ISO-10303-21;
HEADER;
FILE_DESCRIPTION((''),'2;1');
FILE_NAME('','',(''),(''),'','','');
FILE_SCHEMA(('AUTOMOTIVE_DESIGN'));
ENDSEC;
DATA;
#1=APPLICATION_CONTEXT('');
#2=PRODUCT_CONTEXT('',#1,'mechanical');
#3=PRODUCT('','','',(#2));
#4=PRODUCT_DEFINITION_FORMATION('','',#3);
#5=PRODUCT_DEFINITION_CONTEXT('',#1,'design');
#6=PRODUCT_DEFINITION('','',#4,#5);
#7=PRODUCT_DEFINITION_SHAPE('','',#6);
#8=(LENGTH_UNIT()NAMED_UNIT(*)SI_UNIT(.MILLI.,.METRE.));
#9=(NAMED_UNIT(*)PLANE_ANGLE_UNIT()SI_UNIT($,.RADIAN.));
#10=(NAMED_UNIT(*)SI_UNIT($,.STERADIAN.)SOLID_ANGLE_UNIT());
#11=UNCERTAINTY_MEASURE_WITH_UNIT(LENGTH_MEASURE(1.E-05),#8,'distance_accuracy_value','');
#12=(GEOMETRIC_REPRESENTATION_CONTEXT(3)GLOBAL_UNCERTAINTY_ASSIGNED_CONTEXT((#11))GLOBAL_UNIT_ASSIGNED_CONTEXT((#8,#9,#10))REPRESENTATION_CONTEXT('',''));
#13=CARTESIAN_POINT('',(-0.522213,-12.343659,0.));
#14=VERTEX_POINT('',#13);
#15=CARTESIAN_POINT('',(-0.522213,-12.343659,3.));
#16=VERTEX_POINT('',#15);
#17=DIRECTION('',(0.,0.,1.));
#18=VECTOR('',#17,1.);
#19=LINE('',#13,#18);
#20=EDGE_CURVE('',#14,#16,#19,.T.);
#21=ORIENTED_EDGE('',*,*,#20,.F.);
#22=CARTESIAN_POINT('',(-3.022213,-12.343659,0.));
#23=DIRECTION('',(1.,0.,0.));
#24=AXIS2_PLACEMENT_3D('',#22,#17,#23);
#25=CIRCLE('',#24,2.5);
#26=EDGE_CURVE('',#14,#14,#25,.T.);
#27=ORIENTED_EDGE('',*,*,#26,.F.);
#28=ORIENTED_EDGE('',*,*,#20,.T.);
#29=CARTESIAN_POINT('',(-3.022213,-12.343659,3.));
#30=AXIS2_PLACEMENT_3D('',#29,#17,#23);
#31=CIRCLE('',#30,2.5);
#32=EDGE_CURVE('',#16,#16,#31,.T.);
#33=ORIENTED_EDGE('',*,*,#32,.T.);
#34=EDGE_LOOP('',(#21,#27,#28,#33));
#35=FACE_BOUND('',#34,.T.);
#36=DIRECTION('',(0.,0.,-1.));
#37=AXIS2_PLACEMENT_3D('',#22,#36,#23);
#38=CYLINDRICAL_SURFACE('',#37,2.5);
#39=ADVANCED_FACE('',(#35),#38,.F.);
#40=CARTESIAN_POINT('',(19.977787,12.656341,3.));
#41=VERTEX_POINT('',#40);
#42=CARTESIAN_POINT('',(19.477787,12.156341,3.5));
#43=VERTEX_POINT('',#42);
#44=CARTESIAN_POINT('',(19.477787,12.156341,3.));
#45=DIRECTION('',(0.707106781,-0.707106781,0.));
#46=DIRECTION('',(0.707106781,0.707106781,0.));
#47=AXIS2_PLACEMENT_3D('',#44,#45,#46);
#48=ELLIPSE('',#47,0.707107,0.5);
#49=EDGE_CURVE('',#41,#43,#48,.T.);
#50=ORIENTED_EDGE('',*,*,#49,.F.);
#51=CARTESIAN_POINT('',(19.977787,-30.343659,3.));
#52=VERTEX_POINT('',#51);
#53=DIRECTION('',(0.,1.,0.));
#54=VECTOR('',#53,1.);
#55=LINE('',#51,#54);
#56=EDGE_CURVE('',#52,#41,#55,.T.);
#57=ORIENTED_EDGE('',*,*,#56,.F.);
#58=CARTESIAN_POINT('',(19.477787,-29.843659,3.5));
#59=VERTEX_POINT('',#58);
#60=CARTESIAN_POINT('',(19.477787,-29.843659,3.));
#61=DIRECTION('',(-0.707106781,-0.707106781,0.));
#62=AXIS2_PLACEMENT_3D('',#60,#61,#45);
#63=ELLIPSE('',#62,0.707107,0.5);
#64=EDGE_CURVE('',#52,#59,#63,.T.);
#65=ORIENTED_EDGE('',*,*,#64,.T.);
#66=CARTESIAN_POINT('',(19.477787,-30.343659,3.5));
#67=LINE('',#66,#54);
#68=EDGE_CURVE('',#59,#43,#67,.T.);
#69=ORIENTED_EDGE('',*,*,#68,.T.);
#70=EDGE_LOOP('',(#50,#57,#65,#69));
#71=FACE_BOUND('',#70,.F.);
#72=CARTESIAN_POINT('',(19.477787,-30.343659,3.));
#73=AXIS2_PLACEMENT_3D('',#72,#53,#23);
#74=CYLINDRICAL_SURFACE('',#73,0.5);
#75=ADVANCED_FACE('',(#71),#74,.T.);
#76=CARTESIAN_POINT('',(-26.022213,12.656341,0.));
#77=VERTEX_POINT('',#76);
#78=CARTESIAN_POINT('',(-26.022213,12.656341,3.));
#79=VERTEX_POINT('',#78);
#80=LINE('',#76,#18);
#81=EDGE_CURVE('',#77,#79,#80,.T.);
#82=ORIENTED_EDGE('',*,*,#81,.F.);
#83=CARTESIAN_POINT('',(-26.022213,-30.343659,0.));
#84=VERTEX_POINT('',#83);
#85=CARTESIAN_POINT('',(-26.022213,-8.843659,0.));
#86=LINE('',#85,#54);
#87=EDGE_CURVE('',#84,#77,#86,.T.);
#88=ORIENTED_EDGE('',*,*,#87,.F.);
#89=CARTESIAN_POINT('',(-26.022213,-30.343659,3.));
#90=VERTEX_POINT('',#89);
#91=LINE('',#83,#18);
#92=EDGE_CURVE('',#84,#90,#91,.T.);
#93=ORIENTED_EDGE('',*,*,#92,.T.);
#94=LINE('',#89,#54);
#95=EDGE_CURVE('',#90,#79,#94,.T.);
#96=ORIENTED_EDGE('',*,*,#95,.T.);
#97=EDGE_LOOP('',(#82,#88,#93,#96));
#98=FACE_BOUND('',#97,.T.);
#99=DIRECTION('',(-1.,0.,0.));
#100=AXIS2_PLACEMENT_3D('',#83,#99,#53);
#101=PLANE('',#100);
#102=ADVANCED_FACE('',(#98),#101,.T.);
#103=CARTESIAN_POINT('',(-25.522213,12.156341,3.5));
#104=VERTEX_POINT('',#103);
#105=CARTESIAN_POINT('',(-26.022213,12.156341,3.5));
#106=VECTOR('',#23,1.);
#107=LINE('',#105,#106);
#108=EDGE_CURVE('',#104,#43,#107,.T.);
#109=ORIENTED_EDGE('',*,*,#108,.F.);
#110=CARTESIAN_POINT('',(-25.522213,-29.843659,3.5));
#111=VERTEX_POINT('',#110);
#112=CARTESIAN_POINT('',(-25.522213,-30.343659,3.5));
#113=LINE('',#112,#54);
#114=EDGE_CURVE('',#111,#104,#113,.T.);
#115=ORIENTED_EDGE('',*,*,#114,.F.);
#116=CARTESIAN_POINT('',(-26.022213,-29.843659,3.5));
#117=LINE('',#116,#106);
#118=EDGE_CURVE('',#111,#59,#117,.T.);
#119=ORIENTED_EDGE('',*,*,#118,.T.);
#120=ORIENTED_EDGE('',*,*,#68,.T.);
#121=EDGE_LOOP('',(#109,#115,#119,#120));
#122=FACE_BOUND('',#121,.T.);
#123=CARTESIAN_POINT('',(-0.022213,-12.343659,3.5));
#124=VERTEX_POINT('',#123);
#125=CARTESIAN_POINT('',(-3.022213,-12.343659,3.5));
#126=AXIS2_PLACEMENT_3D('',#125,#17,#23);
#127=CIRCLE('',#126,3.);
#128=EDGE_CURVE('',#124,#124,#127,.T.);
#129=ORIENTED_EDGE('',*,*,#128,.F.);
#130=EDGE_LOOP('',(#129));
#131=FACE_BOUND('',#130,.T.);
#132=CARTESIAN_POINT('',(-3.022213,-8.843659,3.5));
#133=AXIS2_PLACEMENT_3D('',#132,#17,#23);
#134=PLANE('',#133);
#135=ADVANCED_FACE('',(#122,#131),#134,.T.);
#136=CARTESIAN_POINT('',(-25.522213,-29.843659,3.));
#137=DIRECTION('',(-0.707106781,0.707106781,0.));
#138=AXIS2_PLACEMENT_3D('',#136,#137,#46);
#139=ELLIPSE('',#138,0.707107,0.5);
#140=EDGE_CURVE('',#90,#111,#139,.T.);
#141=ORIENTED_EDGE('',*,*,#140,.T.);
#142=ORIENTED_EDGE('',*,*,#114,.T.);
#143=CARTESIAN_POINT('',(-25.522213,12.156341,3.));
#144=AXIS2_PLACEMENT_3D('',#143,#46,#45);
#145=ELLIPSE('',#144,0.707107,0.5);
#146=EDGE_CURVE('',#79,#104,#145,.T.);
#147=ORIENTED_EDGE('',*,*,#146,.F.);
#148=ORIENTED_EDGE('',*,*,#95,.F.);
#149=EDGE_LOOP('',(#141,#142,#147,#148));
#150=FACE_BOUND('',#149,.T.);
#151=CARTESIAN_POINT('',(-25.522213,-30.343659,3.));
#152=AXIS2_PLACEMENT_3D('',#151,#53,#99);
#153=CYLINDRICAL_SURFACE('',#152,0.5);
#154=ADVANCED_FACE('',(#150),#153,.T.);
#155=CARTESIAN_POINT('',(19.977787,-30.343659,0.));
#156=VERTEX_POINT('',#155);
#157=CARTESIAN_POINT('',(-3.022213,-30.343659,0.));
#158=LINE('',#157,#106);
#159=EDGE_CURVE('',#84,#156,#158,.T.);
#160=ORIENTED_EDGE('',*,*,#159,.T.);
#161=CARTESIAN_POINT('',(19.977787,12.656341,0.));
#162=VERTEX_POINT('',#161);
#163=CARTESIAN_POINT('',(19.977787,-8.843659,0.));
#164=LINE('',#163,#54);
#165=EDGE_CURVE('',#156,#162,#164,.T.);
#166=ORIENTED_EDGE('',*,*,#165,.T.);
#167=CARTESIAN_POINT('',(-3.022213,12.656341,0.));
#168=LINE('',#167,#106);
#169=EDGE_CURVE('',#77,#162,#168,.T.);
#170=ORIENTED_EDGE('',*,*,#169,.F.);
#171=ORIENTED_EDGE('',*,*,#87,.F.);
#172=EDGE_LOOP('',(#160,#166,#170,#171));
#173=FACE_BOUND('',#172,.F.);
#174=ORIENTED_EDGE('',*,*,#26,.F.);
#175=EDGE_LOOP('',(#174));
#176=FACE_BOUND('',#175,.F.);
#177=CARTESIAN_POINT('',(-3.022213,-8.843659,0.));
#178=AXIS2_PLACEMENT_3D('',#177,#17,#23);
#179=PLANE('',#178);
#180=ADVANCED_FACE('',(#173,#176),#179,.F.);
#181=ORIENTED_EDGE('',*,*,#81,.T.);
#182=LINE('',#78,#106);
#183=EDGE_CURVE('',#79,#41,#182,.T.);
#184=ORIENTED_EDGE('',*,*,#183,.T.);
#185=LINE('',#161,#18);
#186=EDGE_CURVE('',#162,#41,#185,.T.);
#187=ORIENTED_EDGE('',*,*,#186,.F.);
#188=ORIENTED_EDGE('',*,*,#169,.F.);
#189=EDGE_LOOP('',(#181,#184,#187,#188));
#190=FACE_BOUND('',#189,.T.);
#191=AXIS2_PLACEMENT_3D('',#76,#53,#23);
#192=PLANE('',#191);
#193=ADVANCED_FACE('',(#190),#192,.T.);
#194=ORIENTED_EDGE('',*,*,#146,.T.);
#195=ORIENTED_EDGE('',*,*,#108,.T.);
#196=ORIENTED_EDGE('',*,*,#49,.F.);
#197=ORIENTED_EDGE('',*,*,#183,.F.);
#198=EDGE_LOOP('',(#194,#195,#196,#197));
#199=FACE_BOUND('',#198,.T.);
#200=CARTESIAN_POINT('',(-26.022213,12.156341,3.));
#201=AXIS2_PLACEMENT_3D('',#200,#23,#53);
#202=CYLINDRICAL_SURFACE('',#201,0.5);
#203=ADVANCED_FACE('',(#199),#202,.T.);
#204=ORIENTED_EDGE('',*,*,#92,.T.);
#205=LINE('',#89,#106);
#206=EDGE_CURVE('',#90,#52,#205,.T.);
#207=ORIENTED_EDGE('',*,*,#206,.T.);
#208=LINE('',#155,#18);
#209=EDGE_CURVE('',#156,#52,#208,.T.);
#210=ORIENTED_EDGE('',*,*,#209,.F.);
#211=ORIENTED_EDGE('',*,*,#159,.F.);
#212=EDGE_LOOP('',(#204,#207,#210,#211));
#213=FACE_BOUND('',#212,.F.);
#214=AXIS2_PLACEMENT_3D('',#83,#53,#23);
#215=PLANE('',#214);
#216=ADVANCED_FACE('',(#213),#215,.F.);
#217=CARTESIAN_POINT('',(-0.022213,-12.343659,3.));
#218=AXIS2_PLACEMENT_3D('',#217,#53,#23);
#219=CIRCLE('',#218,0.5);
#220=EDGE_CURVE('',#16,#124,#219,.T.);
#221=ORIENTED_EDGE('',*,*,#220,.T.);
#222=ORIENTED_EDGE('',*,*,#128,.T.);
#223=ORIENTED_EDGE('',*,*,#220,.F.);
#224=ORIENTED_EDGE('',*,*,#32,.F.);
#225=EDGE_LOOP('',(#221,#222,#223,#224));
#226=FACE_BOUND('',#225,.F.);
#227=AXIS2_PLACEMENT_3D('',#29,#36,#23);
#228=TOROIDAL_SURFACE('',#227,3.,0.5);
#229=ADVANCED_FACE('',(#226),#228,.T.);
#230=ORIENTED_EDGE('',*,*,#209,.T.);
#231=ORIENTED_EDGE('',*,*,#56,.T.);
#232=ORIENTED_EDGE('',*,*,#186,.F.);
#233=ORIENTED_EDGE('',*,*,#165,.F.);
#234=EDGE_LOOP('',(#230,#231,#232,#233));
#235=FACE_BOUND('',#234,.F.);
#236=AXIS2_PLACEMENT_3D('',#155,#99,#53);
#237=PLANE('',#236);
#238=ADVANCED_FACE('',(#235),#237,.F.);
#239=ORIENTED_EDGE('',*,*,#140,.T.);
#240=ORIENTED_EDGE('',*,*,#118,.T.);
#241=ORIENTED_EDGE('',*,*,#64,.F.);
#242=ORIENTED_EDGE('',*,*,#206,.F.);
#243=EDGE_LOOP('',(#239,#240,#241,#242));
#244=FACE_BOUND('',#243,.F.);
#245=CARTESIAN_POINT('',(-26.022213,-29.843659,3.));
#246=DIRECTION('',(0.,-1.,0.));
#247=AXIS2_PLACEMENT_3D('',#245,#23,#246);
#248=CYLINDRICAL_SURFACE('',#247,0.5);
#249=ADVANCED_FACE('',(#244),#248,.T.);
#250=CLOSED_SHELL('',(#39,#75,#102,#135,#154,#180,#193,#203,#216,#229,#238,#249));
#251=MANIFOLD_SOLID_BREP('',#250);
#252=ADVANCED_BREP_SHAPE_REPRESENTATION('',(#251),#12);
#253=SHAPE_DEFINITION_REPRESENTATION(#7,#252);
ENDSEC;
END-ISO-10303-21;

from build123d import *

# Parameters (mm, degrees)
F0_W     = 46
F0_H     = 43
F0_R     = 2.5
F1_DEPTH = 3.5
F2_R     = 0.5


with BuildPart() as f1:
    # F0 (on Top) → F1 (new body)
    with BuildSketch(Plane.XY):
        with Locations((-3.022213, -8.843659)):
            Rectangle(F0_W, F0_H)
        with Locations((-3.022213, -12.343659)):
            Circle(F0_R, mode=Mode.SUBTRACT)
    extrude(amount=F1_DEPTH)

    # F2
    f2_edges = [f1.edges().sort_by_distance(p)[0] for p in [
        (-3.022213, 12.656341, 3.5),
        (-26.022213, -8.843659, 3.5),
        (-3.022213, -30.343659, 3.5),
        (19.977787, -8.843659, 3.5),
        (-5.522213, -12.343659, 3.5),
    ]]
    fillet(f2_edges, radius=F2_R)


solid = f1.part
